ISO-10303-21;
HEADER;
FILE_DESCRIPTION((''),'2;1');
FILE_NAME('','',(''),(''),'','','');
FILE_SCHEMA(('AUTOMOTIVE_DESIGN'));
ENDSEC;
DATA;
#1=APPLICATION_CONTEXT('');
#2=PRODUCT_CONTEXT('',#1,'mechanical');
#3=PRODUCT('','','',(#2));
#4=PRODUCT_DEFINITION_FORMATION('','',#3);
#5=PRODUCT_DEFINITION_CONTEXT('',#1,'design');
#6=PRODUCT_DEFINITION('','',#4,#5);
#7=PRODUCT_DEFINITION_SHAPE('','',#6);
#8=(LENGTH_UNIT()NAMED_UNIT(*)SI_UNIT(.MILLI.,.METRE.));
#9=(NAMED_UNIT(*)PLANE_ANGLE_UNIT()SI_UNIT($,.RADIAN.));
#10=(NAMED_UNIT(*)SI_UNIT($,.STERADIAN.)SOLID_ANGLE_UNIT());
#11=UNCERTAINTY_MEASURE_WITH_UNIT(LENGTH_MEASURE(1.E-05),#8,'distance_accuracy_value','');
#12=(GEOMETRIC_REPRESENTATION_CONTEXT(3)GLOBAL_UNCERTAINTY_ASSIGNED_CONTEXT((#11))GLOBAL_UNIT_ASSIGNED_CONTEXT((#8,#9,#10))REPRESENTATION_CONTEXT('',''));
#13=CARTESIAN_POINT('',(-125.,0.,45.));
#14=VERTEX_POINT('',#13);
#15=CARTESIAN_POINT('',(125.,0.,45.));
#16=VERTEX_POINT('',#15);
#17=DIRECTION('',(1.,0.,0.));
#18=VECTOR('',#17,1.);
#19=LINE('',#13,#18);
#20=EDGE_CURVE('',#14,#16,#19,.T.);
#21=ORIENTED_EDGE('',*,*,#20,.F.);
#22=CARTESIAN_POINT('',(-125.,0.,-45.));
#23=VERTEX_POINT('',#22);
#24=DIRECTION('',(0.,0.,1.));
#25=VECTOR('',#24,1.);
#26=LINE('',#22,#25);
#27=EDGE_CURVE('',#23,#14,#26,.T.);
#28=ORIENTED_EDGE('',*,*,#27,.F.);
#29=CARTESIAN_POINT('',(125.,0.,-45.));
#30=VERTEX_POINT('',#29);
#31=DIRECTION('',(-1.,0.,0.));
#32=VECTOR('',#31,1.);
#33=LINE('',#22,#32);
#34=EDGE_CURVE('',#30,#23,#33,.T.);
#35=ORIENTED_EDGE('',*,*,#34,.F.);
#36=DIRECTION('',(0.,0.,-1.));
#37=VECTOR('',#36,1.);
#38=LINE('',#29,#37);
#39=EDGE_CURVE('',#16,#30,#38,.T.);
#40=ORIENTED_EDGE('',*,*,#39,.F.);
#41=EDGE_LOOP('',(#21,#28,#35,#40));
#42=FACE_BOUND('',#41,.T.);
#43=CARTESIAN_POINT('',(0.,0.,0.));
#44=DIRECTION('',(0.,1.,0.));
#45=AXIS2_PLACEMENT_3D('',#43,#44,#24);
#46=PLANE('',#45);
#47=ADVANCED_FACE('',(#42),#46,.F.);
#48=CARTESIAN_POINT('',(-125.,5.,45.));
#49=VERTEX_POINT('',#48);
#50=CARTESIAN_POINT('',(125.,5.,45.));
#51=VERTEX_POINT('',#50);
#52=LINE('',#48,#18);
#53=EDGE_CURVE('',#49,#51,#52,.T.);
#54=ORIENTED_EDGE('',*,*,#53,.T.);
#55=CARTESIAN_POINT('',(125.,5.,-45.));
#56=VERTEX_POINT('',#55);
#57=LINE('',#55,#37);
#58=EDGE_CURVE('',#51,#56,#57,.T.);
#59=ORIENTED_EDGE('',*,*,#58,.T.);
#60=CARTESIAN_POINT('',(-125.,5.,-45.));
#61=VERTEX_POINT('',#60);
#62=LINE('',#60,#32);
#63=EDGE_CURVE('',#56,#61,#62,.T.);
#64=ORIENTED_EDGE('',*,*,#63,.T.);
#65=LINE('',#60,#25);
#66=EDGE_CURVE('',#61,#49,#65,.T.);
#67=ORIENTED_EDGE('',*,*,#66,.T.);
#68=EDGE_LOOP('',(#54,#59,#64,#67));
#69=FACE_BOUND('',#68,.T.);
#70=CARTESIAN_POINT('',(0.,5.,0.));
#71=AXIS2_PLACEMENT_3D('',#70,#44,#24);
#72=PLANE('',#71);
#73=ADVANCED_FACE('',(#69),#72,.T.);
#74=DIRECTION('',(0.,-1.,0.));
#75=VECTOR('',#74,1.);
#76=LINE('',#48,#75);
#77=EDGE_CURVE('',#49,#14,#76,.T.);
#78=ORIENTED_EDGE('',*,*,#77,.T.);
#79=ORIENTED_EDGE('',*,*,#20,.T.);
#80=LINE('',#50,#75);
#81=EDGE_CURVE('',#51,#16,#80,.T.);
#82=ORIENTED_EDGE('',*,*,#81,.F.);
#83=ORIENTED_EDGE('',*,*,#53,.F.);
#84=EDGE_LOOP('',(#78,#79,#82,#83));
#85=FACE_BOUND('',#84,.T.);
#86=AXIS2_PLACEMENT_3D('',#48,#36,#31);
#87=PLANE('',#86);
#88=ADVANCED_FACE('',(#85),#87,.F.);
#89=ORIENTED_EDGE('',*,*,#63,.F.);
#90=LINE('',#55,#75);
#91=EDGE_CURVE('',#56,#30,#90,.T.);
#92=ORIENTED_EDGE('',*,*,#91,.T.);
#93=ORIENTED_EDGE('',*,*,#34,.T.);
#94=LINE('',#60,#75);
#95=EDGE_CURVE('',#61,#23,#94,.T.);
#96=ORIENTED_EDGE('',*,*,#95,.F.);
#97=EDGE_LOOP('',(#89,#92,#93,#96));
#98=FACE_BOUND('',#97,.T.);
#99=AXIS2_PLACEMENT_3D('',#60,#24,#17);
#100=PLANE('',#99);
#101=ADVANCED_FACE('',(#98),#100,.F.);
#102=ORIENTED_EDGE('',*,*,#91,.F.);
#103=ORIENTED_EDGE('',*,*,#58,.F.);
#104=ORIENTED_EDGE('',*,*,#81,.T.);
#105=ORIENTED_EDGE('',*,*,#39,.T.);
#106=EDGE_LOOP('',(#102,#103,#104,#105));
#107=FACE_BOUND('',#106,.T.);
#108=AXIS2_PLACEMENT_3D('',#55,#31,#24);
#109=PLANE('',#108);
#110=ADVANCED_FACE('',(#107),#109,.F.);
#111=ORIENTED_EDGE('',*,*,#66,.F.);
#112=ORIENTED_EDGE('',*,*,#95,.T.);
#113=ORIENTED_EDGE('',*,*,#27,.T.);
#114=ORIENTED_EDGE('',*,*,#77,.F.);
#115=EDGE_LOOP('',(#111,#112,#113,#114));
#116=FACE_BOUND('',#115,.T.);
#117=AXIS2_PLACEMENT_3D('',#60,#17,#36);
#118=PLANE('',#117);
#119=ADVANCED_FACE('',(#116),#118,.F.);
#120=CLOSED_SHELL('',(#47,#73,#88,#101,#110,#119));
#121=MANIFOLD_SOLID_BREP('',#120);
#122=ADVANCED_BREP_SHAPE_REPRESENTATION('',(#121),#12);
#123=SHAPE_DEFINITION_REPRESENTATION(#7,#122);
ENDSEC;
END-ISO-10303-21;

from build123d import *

# Parameters (mm, degrees)
SKETCH1_W           = 250
SKETCH1_H           = 90
BOSS_EXTRUDE1_DEPTH = 5


with BuildPart() as part:
    # Sketch1 → Boss-Extrude1 (new body)
    with BuildSketch(Plane(origin=(0, 0, 0), x_dir=(1, 0, 0), z_dir=(0, 1, 0))):
        Rectangle(SKETCH1_W, SKETCH1_H)
    extrude(amount=BOSS_EXTRUDE1_DEPTH)


solid = part.part
